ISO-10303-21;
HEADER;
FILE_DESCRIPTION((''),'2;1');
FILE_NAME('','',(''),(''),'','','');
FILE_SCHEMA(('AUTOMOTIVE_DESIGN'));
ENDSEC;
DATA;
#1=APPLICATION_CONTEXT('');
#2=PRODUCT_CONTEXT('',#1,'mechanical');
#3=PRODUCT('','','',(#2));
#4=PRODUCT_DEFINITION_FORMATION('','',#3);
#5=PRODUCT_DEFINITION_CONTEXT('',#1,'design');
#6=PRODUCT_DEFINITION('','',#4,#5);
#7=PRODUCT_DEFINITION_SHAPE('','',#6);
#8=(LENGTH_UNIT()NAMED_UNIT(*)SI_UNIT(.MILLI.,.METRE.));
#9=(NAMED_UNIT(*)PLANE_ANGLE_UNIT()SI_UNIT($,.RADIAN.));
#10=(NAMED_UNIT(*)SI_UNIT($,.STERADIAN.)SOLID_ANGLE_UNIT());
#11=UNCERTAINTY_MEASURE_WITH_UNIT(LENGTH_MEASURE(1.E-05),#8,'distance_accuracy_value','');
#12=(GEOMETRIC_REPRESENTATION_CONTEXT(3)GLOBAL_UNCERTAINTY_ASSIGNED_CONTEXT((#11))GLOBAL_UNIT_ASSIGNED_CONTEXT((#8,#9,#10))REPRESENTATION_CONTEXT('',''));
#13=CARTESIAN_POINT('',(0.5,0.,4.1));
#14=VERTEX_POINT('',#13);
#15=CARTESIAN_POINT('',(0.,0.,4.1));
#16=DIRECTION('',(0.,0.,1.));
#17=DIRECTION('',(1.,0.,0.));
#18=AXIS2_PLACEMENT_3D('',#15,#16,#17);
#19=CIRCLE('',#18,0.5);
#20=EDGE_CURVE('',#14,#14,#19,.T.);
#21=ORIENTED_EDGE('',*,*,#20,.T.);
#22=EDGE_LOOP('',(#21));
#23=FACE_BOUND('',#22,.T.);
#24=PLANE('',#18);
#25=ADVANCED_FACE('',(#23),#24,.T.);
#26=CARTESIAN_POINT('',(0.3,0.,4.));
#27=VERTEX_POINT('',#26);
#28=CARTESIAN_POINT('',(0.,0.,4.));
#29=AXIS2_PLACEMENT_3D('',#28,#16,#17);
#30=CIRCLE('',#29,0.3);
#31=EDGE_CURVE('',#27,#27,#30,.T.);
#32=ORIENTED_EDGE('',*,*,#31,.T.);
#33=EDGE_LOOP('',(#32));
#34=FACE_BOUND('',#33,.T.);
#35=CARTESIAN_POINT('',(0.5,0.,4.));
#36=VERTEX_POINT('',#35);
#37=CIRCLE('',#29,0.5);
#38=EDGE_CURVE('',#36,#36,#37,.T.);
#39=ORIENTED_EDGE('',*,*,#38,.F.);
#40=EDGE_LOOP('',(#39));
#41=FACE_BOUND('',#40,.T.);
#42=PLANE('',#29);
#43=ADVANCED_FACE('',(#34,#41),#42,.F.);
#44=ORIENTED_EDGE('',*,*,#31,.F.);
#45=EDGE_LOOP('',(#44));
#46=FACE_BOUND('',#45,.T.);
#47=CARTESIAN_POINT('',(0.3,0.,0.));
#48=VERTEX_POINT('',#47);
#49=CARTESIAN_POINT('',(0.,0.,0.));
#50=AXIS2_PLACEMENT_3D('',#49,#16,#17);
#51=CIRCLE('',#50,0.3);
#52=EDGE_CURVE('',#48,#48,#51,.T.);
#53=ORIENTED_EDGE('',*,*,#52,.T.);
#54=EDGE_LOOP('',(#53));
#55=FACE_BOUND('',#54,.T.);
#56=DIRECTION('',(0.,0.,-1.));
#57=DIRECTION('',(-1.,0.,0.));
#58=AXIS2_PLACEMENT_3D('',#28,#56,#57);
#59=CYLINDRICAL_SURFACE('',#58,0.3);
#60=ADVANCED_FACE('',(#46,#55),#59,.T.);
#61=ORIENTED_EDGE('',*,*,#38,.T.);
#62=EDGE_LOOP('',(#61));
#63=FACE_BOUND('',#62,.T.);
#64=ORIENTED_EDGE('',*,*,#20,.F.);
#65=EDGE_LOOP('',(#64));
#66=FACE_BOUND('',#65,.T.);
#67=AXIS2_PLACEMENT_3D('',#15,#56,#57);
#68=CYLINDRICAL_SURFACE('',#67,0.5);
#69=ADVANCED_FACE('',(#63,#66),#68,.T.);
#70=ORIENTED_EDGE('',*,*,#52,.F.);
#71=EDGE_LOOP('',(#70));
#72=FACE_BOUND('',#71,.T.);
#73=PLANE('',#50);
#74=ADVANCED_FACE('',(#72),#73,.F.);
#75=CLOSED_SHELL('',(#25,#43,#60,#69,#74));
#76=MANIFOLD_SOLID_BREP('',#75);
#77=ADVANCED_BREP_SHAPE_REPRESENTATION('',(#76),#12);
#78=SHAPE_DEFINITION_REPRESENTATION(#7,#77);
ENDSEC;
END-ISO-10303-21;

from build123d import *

# Parameters (mm, degrees)
SKETCH_1_R      = 0.3
EXTRUDE_1_DEPTH = 4
SKETCH_2_R      = 0.5
EXTRUDE_2_DEPTH = 0.1


with BuildPart() as part:
    # 草图1 → 凸台-拉伸1 (new body)
    with BuildSketch(Plane.XY):
        Circle(SKETCH_1_R)
    extrude(amount=EXTRUDE_1_DEPTH)

    # 草图2 → 凸台-拉伸2 (add)
    with BuildSketch(Plane.XY.offset(4)):
        Circle(SKETCH_2_R)
    extrude(amount=EXTRUDE_2_DEPTH)


solid = part.part
